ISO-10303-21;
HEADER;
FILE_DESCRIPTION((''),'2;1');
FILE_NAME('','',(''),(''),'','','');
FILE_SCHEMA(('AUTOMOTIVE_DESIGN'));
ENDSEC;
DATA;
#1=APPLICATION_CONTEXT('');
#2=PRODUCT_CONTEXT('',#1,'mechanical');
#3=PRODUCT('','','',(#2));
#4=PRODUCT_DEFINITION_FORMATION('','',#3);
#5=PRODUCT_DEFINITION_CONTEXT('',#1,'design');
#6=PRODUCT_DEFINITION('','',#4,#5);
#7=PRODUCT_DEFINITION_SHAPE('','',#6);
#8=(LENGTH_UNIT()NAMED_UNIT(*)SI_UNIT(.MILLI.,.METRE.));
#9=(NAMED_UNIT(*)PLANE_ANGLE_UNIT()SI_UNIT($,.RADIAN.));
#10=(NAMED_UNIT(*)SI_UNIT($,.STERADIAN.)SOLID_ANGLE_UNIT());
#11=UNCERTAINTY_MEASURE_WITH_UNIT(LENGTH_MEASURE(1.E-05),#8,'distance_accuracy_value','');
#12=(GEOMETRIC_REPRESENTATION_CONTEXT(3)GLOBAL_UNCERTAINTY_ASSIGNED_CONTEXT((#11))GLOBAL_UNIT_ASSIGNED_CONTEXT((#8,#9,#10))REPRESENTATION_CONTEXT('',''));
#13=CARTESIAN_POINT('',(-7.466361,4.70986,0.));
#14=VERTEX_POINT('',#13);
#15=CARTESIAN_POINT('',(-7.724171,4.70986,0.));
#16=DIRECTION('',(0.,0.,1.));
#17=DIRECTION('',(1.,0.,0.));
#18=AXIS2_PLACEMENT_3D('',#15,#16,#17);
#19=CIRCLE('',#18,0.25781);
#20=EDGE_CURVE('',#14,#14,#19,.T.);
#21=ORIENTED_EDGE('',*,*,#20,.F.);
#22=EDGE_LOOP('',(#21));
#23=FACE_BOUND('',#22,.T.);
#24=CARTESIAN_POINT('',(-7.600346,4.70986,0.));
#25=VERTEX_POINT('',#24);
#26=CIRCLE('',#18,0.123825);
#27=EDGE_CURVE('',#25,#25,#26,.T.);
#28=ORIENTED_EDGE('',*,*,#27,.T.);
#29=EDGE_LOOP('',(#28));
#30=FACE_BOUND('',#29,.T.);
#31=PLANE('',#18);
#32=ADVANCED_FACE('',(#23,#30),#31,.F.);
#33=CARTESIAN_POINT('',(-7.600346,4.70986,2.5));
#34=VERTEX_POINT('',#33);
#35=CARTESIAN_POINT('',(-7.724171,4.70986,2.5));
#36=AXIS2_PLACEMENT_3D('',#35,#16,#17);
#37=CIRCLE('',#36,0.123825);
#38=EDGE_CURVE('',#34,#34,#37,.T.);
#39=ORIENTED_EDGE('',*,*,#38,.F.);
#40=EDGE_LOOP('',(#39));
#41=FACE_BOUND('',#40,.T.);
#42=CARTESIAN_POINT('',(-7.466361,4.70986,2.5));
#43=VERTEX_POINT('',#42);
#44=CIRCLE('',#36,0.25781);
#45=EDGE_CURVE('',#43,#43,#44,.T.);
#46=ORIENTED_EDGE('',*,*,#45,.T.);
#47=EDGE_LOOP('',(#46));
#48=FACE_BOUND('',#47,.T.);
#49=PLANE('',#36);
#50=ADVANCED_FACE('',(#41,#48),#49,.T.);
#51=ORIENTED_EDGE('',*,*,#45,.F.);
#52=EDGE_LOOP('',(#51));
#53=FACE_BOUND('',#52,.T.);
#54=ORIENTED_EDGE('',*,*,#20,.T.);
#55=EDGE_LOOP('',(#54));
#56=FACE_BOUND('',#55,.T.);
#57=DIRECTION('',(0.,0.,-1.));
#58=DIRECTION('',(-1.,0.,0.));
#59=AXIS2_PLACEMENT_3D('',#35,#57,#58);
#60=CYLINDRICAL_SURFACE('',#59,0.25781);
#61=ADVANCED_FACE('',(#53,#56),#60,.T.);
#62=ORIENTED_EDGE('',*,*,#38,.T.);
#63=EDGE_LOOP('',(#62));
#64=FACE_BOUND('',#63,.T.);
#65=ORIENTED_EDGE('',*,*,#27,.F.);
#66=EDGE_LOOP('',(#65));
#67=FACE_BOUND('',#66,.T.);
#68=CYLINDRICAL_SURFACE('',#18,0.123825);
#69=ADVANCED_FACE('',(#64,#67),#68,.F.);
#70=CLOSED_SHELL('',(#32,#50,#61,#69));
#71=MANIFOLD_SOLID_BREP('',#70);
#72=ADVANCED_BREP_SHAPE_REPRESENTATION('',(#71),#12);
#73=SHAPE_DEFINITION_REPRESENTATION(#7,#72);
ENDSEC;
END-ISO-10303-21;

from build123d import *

# Parameters (mm, degrees)
SKETCH1_R          = 0.25781
EXTRUDE1_DEPTH     = 2.5
SKETCH2_R          = 0.123825
CUT_EXTRUDE1_DEPTH = 2.5


with BuildPart() as part:
    # Sketch1 → Extrude1 (new body)
    with BuildSketch(Plane.XY):
        with Locations((-7.72417103, 4.709860384)):
            Circle(SKETCH1_R)
    extrude(amount=EXTRUDE1_DEPTH)

    # Sketch2 → Cut-Extrude1 (cut)
    with BuildSketch(Plane.XY.offset(2.5)):
        with Locations((-7.72417103, 4.709860384)):
            Circle(SKETCH2_R)
    extrude(amount=-CUT_EXTRUDE1_DEPTH, mode=Mode.SUBTRACT)


solid = part.part
